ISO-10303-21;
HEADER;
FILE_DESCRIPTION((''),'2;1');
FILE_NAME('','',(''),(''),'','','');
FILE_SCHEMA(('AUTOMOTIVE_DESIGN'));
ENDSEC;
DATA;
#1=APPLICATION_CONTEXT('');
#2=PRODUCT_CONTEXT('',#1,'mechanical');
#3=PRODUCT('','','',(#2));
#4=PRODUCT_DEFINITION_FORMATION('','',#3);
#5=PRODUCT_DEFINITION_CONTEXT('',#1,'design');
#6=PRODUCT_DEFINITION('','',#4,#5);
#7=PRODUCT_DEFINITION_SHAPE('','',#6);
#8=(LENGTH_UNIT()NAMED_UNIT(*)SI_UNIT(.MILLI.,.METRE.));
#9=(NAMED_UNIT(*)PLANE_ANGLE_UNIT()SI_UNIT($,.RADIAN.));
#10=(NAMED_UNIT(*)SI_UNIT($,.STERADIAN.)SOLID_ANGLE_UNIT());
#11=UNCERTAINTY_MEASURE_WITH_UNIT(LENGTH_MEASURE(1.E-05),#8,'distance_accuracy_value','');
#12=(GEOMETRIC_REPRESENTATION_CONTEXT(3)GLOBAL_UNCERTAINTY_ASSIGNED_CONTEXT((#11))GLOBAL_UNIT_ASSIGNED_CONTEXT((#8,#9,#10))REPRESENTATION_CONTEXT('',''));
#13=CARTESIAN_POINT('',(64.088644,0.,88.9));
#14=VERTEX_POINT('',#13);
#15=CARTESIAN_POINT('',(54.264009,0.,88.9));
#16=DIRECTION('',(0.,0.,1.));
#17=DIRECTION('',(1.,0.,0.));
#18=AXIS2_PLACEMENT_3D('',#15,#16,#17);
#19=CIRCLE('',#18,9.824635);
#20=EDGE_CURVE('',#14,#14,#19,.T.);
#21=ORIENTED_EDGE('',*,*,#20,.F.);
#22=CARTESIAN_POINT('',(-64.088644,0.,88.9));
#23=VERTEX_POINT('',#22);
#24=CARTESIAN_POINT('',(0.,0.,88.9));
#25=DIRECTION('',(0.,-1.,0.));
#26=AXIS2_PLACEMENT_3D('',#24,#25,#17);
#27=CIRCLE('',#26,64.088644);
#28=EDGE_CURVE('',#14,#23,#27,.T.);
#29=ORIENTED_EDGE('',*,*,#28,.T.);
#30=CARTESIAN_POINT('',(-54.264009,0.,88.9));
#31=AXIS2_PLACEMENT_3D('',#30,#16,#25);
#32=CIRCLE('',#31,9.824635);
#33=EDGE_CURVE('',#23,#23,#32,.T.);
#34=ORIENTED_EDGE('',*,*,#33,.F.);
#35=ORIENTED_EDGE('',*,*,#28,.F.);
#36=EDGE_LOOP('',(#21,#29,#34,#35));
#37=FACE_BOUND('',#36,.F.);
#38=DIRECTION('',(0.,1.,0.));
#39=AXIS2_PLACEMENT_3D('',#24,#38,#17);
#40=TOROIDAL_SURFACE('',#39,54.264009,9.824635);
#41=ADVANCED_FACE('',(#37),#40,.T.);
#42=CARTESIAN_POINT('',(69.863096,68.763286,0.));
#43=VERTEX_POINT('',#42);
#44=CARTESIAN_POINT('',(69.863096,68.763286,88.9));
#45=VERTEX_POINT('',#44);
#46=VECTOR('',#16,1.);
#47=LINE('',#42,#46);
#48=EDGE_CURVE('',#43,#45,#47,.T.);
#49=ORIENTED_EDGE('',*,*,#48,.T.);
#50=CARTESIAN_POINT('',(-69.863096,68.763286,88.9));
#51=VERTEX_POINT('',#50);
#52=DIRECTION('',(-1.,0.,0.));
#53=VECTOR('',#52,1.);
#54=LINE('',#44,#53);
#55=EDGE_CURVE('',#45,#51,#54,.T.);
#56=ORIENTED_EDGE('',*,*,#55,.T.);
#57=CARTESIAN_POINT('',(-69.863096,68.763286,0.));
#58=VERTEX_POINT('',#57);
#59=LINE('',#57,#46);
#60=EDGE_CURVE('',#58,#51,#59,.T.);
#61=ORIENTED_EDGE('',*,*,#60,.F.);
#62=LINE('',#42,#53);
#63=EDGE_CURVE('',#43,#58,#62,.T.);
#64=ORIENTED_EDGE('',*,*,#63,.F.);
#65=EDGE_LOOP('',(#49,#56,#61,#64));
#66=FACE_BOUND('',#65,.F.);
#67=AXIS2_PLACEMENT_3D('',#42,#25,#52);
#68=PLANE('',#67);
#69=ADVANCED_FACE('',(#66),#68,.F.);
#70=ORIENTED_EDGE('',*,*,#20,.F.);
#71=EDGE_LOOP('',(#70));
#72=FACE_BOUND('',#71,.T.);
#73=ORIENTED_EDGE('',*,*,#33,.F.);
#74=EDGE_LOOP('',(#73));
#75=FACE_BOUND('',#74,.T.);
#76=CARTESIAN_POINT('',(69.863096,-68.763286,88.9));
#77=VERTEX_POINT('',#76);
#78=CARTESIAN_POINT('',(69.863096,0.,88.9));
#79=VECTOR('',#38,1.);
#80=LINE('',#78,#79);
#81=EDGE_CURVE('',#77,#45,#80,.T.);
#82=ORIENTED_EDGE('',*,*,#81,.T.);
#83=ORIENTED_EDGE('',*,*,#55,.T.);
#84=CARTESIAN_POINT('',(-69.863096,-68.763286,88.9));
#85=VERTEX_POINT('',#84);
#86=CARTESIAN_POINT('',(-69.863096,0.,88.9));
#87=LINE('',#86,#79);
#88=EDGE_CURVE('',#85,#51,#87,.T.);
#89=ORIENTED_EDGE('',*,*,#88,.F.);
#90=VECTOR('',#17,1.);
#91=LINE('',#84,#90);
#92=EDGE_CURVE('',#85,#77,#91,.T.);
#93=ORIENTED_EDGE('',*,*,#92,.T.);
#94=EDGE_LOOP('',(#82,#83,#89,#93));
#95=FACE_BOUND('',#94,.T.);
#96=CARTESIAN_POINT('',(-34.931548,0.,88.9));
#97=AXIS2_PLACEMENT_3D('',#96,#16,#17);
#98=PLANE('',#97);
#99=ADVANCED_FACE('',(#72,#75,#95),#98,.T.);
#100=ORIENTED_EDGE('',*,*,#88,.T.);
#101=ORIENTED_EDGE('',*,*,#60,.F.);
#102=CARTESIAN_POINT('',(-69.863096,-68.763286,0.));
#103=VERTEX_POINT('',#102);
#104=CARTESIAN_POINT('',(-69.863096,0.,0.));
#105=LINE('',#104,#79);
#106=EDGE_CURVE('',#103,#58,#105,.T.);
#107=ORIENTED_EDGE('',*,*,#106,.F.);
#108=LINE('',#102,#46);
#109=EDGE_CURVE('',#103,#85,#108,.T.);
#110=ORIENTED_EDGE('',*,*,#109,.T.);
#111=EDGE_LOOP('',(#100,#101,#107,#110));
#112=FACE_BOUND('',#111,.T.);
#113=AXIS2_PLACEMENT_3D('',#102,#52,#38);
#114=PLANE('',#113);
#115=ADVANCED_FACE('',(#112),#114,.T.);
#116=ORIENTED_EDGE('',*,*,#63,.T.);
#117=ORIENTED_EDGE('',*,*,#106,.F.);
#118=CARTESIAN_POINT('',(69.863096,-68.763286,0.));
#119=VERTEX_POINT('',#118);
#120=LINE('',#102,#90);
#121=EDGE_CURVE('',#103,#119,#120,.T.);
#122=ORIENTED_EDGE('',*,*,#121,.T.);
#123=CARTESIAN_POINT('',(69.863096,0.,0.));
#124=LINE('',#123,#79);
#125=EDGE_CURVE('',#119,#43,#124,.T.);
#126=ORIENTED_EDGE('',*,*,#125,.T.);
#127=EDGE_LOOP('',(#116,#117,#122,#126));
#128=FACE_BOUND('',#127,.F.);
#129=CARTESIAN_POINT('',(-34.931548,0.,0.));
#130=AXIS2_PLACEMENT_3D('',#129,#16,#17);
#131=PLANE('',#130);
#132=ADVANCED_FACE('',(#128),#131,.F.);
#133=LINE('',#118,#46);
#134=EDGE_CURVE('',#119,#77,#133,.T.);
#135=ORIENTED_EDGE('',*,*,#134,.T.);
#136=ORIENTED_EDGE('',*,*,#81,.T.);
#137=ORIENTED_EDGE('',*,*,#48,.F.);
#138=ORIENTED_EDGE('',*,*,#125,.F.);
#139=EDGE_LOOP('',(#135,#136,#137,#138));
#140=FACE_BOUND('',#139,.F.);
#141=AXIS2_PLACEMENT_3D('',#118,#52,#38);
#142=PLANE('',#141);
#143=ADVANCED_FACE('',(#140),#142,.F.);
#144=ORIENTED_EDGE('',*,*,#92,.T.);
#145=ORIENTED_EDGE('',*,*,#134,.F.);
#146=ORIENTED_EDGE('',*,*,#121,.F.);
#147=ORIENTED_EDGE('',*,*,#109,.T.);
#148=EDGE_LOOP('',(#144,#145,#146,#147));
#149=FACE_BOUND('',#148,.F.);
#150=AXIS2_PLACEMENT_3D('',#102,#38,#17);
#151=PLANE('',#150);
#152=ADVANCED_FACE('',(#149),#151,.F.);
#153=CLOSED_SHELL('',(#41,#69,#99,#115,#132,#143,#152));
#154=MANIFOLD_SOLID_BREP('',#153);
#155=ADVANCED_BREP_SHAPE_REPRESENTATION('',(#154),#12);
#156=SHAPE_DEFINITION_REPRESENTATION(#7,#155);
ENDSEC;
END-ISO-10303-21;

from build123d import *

# Parameters (mm, degrees)
F0_W     = 69.863096
F0_H     = 137.526572
F2_DEPTH = 88.9
F3_R     = 9.824635


with BuildPart() as f2:
    # F0 (on Top) → F2 (new body)
    with BuildSketch(Plane.XY):
        with Locations((-34.931548, 0)):
            Rectangle(F0_W, F0_H)
        with Locations((34.931548, 0)):
            Rectangle(F0_W, F0_H)
    extrude(amount=F2_DEPTH)

    # F3 (on face) → F4 (revolve)
    with BuildSketch(Plane.XY.offset(88.9)):
        with Locations((54.264009, 0)):
            Circle(F3_R)
    revolve(axis=Axis((0, 0, 88.9), (0, -1, 0)))


solid = f2.part
